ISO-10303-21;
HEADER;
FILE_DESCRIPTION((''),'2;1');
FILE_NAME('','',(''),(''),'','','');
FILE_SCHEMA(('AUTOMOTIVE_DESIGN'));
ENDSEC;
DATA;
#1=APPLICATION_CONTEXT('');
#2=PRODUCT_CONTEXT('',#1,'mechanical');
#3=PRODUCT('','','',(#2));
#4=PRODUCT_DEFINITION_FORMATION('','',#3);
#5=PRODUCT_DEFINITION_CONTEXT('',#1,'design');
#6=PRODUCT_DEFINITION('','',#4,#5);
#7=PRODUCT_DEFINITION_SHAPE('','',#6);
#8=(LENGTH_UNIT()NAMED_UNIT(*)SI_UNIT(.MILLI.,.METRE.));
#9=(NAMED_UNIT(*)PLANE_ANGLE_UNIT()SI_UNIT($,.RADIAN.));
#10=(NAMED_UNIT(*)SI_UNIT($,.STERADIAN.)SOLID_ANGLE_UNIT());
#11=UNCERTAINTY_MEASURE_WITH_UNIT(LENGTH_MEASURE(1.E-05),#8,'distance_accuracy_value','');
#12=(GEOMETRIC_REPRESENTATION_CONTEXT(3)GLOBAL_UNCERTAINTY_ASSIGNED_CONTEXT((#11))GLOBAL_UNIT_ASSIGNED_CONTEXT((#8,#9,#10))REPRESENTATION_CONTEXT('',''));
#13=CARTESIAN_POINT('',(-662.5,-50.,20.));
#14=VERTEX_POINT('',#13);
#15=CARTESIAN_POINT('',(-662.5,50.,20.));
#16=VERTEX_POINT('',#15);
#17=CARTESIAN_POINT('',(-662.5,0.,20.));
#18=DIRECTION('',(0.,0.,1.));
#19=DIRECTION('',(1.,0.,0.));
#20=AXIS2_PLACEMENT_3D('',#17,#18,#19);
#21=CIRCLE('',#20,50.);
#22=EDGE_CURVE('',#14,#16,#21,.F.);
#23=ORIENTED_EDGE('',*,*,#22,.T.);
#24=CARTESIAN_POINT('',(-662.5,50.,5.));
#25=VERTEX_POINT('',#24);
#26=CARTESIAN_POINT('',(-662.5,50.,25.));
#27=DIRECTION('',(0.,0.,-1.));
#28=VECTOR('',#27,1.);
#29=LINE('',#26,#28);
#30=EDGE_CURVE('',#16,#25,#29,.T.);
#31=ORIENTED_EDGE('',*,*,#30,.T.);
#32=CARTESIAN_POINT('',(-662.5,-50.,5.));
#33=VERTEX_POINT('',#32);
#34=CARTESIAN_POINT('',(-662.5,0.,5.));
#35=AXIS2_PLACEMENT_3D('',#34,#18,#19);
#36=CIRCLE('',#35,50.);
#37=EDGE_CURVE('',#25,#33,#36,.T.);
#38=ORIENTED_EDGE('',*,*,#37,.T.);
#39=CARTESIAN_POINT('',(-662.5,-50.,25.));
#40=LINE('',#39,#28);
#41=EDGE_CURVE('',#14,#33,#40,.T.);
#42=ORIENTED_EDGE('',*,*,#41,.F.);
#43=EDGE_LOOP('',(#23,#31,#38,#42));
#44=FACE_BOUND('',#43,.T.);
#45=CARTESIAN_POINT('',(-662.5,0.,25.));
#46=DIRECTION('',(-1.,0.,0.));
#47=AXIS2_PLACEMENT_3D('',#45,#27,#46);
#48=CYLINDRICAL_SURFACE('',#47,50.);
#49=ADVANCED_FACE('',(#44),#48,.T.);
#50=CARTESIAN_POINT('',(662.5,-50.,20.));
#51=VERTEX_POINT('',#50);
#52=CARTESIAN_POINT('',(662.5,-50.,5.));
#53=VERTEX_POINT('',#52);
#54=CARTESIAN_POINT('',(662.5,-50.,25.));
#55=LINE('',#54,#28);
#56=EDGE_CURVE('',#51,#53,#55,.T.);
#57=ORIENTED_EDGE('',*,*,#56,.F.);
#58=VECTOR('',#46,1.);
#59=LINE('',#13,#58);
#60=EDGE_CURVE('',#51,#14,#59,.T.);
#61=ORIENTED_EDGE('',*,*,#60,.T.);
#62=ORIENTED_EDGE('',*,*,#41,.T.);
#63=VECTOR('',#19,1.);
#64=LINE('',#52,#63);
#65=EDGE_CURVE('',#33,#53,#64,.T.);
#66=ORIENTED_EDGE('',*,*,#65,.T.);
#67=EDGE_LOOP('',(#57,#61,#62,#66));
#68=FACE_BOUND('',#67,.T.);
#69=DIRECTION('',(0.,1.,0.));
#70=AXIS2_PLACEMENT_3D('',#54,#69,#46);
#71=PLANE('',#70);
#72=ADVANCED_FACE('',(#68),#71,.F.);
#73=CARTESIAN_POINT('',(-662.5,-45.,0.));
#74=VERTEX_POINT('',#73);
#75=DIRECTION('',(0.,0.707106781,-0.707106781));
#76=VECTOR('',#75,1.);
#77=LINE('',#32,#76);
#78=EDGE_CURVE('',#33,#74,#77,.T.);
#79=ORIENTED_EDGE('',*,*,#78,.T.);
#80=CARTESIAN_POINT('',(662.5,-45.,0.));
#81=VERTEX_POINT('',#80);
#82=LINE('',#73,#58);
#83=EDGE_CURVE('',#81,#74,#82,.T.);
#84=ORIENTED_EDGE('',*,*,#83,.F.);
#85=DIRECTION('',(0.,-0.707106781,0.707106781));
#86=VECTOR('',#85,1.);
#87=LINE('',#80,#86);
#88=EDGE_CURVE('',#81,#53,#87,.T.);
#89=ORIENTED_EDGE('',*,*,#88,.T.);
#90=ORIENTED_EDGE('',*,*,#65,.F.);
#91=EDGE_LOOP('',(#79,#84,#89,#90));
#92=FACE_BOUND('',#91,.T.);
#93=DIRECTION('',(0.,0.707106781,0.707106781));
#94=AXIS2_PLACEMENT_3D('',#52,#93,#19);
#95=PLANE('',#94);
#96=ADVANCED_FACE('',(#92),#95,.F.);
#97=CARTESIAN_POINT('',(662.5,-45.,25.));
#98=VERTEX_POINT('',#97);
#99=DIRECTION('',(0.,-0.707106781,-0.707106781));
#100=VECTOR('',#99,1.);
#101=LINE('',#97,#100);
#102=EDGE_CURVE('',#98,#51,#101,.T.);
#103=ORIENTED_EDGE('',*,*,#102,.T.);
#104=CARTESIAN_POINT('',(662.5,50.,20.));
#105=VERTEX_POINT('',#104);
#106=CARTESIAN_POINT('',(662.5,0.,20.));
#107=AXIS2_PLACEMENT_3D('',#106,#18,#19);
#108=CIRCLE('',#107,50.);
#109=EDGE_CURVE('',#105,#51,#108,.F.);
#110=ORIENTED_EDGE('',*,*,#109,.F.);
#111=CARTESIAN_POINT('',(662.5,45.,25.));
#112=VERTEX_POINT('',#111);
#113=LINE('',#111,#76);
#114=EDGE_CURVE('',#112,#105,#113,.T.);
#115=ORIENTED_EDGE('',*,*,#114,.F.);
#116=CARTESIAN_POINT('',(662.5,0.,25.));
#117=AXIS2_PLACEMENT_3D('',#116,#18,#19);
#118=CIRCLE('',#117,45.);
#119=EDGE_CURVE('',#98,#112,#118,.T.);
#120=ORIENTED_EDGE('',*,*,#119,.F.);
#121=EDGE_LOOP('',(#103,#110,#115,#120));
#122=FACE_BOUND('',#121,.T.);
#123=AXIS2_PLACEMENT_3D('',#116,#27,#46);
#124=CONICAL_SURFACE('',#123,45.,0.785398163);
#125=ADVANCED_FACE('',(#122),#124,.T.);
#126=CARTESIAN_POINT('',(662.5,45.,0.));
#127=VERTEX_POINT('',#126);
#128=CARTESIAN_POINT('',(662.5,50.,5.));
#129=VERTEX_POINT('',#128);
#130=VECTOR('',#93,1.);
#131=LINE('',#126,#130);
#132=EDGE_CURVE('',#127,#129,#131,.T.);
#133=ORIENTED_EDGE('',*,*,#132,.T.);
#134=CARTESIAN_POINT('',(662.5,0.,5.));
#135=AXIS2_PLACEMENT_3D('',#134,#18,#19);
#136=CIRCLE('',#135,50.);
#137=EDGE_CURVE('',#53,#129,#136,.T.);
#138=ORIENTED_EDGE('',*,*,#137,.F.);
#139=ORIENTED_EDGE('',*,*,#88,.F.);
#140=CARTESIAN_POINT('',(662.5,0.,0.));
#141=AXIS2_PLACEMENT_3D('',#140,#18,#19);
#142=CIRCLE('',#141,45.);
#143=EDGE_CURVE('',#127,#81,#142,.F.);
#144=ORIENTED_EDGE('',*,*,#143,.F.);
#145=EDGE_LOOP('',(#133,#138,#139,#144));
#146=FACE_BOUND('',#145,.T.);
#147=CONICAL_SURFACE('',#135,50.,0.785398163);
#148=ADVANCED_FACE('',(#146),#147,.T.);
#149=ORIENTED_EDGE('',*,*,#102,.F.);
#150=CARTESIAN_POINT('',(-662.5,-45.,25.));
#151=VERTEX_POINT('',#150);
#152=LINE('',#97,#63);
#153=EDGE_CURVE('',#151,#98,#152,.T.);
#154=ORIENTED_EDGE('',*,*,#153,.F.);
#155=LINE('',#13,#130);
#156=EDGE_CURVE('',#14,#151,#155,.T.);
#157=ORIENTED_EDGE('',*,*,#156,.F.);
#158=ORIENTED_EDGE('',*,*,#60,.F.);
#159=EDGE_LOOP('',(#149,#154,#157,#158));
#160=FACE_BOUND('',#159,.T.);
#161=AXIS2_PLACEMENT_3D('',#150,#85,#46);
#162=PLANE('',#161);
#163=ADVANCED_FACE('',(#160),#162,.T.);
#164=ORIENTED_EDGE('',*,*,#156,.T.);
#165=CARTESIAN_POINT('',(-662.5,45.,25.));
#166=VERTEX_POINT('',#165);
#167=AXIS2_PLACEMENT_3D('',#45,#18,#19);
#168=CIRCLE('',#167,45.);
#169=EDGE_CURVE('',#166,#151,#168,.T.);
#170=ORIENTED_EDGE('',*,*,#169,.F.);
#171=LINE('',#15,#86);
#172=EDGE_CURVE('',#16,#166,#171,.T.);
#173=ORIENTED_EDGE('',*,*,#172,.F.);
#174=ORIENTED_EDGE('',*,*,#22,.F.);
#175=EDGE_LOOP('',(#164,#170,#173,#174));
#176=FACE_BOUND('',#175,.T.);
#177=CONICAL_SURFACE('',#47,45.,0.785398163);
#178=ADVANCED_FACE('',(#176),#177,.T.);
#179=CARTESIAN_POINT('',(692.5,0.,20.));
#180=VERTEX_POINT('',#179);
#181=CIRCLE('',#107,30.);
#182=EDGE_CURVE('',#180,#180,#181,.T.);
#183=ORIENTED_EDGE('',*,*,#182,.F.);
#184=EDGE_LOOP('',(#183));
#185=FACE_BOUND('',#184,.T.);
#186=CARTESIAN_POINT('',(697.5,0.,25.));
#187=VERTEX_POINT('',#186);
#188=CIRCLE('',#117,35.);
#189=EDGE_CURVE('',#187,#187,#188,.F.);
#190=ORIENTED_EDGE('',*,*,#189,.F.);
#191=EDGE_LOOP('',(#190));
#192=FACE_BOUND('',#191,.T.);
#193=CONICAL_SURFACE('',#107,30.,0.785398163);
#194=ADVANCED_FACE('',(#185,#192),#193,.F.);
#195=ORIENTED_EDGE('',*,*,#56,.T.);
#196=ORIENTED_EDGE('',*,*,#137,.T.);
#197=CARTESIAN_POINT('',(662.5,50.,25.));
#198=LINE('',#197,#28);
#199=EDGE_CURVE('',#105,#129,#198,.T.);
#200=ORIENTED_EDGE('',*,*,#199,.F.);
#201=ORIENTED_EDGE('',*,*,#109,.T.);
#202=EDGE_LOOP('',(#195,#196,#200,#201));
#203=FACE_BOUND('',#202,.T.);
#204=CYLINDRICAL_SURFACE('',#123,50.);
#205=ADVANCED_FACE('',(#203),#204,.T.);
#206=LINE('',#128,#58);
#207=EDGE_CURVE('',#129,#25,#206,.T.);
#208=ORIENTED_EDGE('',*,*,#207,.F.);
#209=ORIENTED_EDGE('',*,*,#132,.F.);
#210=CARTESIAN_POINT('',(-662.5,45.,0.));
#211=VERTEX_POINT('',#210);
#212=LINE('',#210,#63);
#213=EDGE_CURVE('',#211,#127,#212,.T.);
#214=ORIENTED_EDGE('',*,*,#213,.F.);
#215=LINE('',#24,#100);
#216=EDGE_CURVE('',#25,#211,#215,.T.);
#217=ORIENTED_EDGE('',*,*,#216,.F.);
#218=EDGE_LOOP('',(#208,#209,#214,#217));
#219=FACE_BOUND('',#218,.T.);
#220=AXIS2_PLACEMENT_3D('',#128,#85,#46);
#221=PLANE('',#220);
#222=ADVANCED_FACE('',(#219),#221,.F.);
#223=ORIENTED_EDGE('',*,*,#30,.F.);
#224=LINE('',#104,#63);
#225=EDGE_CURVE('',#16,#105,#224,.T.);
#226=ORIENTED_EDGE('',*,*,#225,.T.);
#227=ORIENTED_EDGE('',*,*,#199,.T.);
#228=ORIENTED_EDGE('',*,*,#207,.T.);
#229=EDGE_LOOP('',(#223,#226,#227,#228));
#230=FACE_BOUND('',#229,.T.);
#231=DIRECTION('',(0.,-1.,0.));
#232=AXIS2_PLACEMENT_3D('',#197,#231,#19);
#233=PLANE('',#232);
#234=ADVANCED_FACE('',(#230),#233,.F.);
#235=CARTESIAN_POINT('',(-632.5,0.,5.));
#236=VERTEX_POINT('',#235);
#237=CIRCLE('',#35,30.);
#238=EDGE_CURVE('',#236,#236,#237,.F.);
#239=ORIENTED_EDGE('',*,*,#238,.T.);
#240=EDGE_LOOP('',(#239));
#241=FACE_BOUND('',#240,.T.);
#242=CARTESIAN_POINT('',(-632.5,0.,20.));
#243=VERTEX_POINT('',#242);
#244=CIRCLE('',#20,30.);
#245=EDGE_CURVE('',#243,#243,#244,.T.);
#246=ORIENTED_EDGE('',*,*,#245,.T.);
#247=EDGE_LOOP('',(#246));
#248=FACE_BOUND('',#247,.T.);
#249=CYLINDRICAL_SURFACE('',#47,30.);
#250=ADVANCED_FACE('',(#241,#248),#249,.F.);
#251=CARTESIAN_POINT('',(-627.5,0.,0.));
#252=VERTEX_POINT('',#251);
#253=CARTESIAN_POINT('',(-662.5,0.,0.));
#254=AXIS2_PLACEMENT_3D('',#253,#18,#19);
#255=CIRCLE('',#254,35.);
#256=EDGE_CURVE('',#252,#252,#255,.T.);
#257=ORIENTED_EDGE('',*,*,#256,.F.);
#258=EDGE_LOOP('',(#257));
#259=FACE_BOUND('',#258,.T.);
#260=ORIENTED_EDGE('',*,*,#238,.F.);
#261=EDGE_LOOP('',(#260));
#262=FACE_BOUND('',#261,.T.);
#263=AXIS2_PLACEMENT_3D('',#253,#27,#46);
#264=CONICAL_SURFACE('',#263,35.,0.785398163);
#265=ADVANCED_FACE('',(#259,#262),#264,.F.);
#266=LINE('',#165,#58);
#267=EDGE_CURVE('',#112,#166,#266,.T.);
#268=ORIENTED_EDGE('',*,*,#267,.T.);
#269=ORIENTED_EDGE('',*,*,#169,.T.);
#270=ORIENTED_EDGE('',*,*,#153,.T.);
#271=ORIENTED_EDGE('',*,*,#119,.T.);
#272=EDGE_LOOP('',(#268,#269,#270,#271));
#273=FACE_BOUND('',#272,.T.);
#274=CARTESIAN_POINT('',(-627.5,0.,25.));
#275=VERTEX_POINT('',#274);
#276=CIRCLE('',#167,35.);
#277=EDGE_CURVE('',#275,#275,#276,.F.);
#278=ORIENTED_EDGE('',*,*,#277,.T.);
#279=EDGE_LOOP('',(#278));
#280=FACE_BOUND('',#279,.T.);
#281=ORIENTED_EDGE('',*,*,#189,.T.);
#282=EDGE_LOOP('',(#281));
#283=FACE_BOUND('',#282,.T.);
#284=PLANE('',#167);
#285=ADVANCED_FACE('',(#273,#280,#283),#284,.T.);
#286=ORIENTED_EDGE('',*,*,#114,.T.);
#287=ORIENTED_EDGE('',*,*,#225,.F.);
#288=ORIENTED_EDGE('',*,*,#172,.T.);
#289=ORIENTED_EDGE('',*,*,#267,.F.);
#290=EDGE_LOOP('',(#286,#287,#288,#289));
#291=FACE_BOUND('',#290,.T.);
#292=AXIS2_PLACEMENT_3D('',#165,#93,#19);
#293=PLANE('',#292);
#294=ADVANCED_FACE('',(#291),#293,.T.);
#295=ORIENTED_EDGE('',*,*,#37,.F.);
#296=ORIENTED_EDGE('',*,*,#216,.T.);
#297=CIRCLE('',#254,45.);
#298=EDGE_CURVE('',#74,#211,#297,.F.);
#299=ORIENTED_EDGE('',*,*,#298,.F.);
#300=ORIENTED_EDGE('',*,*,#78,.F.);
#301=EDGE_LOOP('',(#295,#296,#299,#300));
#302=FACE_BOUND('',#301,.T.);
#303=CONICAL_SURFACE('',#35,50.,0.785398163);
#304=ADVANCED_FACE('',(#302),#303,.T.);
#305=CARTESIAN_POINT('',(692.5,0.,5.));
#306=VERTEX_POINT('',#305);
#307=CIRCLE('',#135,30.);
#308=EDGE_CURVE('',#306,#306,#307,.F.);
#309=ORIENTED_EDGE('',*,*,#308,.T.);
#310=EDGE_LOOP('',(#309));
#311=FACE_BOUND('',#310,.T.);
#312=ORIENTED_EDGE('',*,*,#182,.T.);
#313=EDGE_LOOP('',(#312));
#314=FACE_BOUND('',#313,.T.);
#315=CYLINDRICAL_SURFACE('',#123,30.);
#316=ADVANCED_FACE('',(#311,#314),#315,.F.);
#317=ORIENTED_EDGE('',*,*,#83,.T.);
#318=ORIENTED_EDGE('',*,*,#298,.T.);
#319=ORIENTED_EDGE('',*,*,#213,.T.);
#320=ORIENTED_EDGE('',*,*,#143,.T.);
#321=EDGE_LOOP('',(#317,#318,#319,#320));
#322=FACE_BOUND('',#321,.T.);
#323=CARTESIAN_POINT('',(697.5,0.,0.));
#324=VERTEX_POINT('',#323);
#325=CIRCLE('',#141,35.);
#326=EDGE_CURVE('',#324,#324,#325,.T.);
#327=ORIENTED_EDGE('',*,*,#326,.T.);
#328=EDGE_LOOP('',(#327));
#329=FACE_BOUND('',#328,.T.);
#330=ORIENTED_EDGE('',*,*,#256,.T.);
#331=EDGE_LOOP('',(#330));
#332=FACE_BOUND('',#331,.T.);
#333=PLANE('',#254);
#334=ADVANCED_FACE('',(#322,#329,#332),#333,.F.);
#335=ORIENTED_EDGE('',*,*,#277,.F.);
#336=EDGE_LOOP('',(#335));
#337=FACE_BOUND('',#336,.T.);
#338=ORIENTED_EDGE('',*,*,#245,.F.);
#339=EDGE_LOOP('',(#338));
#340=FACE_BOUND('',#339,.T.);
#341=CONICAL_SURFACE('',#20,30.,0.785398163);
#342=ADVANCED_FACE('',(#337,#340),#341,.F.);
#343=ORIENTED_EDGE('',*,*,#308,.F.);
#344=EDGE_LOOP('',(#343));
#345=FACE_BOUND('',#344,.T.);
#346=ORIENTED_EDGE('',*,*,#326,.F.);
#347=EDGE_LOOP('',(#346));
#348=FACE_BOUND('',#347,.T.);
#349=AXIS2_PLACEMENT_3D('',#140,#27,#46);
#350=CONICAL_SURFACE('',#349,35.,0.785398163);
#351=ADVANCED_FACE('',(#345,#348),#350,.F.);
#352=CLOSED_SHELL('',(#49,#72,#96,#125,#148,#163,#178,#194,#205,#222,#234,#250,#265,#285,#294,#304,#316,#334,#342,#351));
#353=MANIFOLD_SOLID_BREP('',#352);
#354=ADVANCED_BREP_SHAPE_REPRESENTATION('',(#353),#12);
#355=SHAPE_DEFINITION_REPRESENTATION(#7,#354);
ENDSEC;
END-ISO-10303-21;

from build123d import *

# Parameters (mm, degrees)
SKETCH1_R           = 30
BOSS_EXTRUDE1_DEPTH = 25
CHAMFER1_SIZE       = 5


with BuildPart() as part:
    # Sketch1 → Boss-Extrude1 (new body)
    with BuildSketch(Plane.XY):
        with BuildLine():
            Line((662.5, -50), (-662.5, -50))
            ThreePointArc((-662.5, -50), (-712.5, 0), (-662.5, 50))
            Line((-662.5, 50), (662.5, 50))
            ThreePointArc((662.5, 50), (712.5, 0), (662.5, -50))
        make_face()
        with Locations((-662.5, 0)):
            Circle(SKETCH1_R, mode=Mode.SUBTRACT)
        with Locations(Location((662.5, 0, 0), (0, 0, 180))):
            Circle(SKETCH1_R, mode=Mode.SUBTRACT)
    extrude(amount=BOSS_EXTRUDE1_DEPTH)

    # Chamfer1
    chamfer1_edges = [part.edges().sort_by_distance(p)[0] for p in [
        (712.5, 0, 25),
        (-692.5, 0, 0),
        (-692.5, 0, 25),
        (0, 50, 25),
        (692.5, 0, 0),
        (692.5, 0, 25),
        (-712.5, 0, 25),
        (0, 50, 0),
        (712.5, 0, 0),
        (0, -50, 0),
        (-712.5, 0, 0),
        (0, -50, 25),
    ]]
    chamfer(chamfer1_edges, length=CHAMFER1_SIZE)


solid = part.part
